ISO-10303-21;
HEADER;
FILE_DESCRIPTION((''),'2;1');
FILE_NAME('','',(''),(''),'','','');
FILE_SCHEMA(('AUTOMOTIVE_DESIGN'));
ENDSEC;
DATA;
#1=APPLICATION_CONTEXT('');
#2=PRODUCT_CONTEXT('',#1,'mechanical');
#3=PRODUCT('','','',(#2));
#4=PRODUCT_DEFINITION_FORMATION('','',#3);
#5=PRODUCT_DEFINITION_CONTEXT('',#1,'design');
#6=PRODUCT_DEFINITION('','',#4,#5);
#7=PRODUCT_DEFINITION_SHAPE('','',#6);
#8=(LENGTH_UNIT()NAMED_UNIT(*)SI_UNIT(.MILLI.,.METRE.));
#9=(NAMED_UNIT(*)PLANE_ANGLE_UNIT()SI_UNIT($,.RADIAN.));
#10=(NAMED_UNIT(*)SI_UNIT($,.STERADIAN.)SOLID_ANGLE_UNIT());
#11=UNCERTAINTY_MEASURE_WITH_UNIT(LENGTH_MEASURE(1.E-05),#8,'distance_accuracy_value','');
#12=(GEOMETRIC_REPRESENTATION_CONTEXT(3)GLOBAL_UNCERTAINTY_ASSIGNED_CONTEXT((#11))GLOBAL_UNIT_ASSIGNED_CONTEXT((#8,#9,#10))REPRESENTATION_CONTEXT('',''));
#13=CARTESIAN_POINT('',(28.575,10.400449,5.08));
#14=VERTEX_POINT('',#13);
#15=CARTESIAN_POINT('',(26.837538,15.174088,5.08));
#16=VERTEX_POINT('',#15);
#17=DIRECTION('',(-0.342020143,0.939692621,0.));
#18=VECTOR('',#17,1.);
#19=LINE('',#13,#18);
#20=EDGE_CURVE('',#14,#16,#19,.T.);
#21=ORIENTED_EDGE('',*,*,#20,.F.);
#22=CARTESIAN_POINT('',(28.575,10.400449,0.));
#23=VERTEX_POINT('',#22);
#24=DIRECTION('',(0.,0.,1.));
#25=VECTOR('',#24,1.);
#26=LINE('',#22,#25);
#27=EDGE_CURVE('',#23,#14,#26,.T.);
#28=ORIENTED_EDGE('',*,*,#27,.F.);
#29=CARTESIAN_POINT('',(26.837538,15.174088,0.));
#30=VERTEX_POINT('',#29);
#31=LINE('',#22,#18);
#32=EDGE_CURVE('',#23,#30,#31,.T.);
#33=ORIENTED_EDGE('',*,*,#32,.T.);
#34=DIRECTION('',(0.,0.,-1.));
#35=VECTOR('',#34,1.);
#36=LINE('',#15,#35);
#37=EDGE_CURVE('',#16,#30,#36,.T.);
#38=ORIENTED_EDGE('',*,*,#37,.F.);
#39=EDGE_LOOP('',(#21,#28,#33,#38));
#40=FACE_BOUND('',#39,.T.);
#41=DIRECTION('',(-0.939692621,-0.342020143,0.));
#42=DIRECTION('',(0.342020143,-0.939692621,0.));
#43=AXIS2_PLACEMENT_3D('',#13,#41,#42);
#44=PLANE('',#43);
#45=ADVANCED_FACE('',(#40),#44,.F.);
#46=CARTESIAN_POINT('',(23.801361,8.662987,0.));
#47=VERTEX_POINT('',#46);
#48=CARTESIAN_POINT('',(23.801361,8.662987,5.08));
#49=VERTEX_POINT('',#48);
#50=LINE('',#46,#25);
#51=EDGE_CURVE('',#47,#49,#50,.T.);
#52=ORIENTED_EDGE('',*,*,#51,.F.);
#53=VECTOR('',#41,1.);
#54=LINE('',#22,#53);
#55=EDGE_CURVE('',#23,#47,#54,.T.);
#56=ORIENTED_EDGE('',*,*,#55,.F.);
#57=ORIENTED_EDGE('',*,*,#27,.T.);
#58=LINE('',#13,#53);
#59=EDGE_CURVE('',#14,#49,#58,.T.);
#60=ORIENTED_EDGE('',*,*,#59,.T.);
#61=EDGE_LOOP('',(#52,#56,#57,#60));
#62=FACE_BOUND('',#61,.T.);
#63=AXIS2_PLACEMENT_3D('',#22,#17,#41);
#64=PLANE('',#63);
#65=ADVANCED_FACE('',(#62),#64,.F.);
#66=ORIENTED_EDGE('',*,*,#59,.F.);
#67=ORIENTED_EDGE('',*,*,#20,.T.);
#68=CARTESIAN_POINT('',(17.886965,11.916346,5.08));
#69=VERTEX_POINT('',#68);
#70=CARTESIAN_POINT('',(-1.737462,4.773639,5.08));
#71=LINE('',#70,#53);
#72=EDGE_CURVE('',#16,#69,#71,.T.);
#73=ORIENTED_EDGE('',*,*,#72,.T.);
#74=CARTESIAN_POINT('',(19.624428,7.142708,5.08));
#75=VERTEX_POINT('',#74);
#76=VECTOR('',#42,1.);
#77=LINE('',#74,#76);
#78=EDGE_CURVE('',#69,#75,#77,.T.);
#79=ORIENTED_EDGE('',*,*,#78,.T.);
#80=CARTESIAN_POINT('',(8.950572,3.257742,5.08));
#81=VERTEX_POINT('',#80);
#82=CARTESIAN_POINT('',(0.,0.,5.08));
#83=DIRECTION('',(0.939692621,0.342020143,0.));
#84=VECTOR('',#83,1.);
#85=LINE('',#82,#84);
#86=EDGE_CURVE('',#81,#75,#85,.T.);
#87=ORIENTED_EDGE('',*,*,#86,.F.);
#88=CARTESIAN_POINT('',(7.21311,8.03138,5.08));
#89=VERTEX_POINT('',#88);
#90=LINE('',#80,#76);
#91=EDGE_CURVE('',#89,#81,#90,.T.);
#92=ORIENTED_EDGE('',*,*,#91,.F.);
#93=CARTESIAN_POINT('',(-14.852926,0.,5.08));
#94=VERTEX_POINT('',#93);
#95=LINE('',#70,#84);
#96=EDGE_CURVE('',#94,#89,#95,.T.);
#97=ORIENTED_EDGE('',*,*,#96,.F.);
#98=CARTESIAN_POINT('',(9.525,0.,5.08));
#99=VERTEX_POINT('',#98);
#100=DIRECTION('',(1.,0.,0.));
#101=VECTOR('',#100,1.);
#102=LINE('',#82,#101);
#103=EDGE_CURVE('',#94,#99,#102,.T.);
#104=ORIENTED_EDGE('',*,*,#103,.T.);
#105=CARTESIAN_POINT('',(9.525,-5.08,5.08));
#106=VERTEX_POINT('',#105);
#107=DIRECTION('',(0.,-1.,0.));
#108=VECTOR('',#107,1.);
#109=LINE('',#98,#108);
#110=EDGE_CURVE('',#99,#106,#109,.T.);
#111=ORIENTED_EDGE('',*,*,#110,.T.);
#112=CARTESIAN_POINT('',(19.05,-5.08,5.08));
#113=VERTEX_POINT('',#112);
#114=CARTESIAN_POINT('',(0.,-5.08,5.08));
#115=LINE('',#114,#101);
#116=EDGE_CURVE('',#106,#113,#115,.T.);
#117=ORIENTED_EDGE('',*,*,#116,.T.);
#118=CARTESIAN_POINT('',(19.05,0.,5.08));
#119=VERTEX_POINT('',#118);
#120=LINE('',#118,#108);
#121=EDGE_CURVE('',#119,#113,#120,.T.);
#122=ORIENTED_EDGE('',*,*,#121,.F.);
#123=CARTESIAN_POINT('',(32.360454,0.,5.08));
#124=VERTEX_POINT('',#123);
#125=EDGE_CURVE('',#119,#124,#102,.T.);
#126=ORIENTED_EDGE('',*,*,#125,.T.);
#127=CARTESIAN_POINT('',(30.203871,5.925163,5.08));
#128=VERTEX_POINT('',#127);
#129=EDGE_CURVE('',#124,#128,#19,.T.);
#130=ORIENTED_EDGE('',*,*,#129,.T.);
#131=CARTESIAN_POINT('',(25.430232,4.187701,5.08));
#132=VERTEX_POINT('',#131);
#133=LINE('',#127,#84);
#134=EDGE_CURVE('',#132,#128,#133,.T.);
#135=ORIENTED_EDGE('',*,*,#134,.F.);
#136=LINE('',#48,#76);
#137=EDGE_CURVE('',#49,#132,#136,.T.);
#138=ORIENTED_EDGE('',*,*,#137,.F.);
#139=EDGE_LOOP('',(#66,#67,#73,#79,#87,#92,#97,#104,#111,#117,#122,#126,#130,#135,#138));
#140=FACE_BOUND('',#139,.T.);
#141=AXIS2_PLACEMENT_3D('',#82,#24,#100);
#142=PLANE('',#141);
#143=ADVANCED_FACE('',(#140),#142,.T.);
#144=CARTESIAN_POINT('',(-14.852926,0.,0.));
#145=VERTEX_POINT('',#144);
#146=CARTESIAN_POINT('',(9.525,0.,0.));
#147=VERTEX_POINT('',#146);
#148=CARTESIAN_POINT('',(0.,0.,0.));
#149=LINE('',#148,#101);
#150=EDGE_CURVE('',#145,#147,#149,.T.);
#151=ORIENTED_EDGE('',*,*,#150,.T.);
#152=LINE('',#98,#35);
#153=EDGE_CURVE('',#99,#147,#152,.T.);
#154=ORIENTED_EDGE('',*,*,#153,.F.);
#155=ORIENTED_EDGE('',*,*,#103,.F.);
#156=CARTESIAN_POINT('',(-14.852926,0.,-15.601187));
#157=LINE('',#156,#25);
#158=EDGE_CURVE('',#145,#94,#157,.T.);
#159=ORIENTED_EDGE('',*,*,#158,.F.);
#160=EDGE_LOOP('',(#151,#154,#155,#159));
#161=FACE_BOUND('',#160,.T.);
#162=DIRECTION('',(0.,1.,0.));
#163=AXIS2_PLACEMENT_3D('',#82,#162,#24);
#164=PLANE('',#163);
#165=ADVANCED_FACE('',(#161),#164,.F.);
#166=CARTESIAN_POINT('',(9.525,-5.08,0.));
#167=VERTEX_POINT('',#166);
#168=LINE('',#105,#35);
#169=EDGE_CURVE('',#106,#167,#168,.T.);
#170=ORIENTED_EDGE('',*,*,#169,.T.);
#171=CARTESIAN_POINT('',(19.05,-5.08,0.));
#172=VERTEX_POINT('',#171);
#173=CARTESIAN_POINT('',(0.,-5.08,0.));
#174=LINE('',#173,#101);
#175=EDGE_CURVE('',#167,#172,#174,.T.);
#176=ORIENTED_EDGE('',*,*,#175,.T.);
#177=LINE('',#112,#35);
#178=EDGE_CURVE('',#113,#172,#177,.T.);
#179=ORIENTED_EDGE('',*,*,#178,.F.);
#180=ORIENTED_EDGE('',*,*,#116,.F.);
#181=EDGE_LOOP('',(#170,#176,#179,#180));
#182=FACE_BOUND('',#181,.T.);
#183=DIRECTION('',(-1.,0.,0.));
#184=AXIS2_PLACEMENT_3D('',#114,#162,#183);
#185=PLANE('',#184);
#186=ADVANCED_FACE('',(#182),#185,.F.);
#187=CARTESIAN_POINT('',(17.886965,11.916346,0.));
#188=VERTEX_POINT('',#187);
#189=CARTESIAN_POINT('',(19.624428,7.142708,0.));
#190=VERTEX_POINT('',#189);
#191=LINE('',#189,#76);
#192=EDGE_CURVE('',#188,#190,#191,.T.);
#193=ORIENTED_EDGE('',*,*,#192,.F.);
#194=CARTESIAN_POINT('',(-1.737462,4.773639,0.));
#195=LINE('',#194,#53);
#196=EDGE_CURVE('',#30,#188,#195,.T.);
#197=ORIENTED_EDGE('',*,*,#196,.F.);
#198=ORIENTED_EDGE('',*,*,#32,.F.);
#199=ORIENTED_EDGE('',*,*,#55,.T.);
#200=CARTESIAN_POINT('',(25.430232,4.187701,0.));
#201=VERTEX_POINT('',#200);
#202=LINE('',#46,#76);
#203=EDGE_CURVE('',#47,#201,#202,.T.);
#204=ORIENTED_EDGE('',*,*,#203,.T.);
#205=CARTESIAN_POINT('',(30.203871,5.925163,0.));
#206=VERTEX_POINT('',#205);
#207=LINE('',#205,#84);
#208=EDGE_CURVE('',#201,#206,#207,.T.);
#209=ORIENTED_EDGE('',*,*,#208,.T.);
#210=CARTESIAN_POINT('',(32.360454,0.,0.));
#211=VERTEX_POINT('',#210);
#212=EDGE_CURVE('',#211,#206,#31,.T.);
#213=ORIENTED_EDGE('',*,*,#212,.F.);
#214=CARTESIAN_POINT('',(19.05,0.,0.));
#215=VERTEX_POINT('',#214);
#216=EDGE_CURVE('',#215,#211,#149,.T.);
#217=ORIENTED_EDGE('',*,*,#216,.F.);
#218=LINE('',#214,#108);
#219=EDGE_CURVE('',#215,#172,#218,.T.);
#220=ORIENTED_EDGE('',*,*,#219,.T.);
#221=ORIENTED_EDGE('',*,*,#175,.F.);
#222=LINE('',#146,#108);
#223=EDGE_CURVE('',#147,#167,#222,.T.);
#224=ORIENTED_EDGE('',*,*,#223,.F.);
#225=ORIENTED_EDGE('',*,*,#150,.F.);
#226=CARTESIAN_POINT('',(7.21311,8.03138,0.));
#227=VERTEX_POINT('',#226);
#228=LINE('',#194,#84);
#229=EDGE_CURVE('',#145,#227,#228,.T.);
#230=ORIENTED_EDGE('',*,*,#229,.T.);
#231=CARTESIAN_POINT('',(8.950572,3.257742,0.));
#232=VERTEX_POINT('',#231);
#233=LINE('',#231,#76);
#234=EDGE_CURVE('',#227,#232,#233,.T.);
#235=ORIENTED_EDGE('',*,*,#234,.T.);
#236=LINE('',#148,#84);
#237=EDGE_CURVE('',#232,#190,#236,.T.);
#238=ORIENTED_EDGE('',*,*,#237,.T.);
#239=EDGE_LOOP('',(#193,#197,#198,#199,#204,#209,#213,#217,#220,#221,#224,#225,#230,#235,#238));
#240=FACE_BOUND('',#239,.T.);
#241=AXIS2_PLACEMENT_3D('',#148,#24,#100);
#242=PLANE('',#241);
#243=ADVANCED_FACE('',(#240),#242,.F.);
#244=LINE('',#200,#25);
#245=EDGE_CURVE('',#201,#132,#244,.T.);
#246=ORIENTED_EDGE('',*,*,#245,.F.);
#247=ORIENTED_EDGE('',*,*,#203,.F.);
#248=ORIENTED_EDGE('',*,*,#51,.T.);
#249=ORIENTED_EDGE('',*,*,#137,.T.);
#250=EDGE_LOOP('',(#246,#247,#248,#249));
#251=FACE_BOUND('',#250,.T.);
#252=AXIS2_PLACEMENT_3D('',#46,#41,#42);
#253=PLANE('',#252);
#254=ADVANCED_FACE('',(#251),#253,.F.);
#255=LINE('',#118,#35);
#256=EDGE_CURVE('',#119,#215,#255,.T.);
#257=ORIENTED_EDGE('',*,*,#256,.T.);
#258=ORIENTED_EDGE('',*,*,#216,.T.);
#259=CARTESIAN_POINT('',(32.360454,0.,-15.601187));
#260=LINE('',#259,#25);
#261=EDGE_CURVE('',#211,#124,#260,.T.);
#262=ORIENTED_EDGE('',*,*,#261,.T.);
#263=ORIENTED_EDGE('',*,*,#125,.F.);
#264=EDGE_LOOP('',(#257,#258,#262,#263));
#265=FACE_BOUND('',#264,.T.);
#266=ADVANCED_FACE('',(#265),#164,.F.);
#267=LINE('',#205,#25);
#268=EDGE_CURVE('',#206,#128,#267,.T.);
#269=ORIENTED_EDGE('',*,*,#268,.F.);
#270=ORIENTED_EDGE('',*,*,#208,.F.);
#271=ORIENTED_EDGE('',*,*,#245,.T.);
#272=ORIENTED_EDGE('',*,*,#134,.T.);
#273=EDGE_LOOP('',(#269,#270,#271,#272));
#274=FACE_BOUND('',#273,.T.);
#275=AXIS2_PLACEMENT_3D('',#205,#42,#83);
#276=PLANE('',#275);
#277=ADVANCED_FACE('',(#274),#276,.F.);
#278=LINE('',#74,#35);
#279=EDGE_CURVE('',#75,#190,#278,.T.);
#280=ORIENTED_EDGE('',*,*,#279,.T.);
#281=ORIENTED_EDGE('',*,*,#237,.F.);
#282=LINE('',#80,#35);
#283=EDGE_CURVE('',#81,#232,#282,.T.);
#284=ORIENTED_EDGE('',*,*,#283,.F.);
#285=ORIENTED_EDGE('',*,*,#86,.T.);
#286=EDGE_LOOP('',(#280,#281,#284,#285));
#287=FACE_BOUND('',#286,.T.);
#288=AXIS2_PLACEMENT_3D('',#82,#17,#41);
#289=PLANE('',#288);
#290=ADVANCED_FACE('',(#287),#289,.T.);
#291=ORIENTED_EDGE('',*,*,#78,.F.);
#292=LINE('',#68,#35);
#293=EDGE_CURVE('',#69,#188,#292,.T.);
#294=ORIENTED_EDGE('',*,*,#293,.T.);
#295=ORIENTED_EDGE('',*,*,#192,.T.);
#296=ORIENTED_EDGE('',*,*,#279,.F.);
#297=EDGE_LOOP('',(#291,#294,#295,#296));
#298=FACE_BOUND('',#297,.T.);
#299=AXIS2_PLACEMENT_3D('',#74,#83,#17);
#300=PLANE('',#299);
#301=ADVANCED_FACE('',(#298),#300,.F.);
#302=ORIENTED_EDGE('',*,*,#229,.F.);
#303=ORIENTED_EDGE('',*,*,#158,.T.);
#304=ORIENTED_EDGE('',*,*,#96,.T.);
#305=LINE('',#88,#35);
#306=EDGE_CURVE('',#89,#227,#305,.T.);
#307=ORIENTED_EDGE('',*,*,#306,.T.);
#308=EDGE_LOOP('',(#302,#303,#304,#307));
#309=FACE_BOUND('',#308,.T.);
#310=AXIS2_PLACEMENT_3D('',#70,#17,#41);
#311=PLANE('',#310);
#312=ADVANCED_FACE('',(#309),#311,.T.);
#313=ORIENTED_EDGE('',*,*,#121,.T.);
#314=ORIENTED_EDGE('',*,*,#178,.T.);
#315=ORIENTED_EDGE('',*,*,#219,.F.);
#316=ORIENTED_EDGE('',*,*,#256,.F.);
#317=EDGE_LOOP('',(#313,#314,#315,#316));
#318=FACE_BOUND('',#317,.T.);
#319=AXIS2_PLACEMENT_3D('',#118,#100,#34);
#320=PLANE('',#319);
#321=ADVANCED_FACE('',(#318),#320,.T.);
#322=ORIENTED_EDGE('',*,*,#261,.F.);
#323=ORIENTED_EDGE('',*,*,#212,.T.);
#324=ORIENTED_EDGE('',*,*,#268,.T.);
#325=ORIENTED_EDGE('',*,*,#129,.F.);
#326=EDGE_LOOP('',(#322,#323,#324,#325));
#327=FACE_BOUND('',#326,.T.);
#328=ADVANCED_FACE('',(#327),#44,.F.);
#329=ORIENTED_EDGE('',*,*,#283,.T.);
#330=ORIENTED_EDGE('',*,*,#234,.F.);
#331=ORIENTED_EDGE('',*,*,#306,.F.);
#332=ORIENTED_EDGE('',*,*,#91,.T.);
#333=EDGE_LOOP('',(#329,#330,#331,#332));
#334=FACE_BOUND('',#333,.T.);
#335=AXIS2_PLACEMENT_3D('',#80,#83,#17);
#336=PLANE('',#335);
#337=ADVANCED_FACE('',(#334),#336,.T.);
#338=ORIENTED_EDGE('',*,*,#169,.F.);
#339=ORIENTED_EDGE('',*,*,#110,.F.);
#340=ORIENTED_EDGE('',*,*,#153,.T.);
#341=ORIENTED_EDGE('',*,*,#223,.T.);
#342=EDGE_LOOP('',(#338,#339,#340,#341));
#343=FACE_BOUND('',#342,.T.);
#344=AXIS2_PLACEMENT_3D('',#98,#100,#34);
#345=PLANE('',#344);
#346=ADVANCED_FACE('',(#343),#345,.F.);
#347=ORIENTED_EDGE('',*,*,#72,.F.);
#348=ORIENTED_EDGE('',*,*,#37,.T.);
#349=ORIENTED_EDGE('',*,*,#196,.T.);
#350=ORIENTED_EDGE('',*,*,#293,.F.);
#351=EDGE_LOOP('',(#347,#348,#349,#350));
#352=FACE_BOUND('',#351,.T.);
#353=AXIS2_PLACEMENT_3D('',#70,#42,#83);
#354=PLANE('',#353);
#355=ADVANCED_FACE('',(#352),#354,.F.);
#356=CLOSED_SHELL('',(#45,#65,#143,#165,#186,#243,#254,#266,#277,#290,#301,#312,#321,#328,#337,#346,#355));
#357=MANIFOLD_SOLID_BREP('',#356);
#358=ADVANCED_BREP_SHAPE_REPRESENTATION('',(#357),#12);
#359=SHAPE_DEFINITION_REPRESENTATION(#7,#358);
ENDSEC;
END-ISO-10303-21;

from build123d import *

# Parameters (mm, degrees)
BOSS_EXTRUDE1_DEPTH = 5.08
BOSS_EXTRUDE2_DEPTH = 5.08
CUT_EXTRUDE1_DEPTH  = 6.08


with BuildPart() as part:
    # Sketch1 → Boss-Extrude1 (new body)
    with BuildSketch(Plane.XY):
        Polygon((19.624427787, 7.142707579), (8.950572213, 3.257741865), (7.213109885, 8.031380379), (-1.737462328, 4.773638514), (0, 0), (9.525, 0), (9.525, -5.08), (19.05, -5.08), (19.05, 0), (28.575, 0), (28.575, 10.400449444), (26.837537672, 15.174087958), (17.886965459, 11.916346093), align=None)
    extrude(amount=BOSS_EXTRUDE1_DEPTH)

    # Sketch2 → Boss-Extrude2 (add)
    with BuildSketch(Plane.XY.offset(5.08)):
        Polygon((28.575, 10.400449444), (28.575, 0), (32.360454021, 0), align=None)
        Polygon((0, 0), (-14.852926353, 0), (-1.737462328, 4.773638514), align=None)
    extrude(amount=-BOSS_EXTRUDE2_DEPTH)

    # Sketch3 → Cut-Extrude1 (cut, through all)
    with BuildSketch(Plane.XY.offset(5.08)):
        Polygon((28.575, 10.400449444), (30.203870933, 5.925163338), (25.430232419, 4.18770101), (23.801361486, 8.662987116), align=None)
    extrude(amount=-CUT_EXTRUDE1_DEPTH, mode=Mode.SUBTRACT)


solid = part.part
